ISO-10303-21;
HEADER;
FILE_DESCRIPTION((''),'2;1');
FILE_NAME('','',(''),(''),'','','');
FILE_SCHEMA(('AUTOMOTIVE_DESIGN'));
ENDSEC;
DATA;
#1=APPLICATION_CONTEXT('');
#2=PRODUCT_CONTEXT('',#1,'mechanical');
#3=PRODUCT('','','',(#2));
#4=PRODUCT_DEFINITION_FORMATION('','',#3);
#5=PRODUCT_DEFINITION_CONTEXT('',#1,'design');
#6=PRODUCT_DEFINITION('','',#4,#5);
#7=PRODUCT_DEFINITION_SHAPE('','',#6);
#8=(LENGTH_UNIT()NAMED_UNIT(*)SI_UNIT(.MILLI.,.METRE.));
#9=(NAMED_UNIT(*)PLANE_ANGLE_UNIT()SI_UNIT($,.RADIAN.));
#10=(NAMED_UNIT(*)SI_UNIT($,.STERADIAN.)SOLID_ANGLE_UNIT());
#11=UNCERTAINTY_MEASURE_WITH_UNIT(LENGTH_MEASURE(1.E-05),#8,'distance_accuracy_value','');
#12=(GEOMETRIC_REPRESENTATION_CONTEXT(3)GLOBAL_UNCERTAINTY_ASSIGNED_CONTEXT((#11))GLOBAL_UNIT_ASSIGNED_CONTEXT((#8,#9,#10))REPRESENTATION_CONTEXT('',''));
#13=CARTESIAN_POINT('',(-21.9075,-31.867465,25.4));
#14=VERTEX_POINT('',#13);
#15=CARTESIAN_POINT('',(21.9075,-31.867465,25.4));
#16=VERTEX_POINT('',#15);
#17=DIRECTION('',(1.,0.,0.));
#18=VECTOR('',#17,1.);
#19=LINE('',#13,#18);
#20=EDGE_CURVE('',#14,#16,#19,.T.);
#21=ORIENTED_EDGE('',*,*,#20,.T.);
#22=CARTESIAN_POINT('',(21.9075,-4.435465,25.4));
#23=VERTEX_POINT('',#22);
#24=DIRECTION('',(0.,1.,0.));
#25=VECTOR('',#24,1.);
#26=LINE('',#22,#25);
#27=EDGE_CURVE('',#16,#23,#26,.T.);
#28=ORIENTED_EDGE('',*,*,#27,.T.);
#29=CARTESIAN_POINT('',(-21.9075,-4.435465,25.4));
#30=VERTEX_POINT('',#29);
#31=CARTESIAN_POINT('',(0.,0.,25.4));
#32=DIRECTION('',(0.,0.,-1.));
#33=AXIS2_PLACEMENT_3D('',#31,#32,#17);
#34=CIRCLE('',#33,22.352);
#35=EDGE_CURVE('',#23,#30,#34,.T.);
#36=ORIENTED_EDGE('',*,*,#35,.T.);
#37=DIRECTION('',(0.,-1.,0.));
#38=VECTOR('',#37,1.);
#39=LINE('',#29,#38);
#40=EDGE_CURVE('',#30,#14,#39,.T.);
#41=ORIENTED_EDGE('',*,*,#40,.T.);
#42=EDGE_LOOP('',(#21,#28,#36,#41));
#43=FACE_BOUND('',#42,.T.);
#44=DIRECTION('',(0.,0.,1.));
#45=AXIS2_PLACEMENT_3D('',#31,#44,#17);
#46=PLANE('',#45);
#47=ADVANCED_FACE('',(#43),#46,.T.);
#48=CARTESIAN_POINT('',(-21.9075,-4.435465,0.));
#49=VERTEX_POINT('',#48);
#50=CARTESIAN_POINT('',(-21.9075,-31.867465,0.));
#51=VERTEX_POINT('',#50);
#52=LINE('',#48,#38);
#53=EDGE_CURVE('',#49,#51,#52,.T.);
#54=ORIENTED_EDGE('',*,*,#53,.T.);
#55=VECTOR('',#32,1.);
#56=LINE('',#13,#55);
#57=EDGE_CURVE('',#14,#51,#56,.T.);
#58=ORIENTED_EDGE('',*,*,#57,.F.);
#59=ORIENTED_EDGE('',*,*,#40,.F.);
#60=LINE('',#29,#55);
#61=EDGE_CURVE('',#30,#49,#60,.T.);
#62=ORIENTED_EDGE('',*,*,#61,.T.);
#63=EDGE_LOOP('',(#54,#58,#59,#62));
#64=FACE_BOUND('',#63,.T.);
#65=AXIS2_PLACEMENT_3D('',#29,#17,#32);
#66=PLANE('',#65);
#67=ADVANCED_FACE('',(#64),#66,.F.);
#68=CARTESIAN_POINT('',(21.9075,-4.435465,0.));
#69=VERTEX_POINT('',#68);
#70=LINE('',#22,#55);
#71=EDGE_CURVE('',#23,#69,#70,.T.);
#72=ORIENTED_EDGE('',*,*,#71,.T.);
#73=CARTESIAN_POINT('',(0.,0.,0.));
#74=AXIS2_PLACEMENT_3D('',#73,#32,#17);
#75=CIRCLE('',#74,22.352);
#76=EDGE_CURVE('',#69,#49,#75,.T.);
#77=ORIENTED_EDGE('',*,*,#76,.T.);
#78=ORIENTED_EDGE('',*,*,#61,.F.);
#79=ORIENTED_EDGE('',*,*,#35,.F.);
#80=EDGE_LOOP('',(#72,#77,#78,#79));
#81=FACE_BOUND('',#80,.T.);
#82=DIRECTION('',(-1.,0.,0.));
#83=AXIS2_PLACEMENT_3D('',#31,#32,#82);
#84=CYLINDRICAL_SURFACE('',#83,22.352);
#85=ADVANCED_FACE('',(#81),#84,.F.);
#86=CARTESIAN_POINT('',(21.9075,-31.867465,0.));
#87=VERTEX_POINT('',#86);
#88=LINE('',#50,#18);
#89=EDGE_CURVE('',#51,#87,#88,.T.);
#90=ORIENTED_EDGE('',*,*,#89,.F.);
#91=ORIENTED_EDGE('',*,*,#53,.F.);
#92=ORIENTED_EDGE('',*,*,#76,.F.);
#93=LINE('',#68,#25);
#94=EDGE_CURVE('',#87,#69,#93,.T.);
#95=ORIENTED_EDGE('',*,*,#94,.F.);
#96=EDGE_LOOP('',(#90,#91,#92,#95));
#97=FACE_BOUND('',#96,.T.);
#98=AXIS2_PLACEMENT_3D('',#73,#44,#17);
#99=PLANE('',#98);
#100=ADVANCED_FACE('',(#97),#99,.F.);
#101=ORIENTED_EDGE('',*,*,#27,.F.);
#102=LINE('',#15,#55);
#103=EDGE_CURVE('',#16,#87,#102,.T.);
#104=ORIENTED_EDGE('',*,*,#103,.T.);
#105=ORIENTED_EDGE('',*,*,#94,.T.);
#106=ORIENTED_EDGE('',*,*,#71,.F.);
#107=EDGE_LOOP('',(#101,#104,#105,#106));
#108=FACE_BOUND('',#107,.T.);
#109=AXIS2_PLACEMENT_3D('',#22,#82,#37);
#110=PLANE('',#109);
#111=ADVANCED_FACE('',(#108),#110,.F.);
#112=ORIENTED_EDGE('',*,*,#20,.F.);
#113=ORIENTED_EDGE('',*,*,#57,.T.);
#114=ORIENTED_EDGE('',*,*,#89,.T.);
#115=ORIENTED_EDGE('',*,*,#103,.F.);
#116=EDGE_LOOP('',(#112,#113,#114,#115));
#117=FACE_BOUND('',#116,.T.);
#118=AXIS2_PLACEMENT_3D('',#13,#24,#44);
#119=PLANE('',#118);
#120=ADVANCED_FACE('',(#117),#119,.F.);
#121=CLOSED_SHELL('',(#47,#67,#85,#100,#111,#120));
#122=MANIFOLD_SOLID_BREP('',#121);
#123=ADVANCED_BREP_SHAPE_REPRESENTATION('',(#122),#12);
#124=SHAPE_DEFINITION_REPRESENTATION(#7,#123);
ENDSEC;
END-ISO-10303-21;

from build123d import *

# Parameters (mm, degrees)
BOSS_EXTRUDE1_DEPTH = 25.4


with BuildPart() as part:
    # Sketch1 → Boss-Extrude1 (new body)
    with BuildSketch(Plane.XY):
        with BuildLine():
            Line((-21.9075, -31.867464773), (21.9075, -31.867464773))
            Line((21.9075, -31.867464773), (21.9075, -4.435464773))
            ThreePointArc((21.9075, -4.435464773), (0, -22.352), (-21.9075, -4.435464773))
            Line((-21.9075, -4.435464773), (-21.9075, -31.867464773))
        make_face()
    extrude(amount=BOSS_EXTRUDE1_DEPTH)


solid = part.part
